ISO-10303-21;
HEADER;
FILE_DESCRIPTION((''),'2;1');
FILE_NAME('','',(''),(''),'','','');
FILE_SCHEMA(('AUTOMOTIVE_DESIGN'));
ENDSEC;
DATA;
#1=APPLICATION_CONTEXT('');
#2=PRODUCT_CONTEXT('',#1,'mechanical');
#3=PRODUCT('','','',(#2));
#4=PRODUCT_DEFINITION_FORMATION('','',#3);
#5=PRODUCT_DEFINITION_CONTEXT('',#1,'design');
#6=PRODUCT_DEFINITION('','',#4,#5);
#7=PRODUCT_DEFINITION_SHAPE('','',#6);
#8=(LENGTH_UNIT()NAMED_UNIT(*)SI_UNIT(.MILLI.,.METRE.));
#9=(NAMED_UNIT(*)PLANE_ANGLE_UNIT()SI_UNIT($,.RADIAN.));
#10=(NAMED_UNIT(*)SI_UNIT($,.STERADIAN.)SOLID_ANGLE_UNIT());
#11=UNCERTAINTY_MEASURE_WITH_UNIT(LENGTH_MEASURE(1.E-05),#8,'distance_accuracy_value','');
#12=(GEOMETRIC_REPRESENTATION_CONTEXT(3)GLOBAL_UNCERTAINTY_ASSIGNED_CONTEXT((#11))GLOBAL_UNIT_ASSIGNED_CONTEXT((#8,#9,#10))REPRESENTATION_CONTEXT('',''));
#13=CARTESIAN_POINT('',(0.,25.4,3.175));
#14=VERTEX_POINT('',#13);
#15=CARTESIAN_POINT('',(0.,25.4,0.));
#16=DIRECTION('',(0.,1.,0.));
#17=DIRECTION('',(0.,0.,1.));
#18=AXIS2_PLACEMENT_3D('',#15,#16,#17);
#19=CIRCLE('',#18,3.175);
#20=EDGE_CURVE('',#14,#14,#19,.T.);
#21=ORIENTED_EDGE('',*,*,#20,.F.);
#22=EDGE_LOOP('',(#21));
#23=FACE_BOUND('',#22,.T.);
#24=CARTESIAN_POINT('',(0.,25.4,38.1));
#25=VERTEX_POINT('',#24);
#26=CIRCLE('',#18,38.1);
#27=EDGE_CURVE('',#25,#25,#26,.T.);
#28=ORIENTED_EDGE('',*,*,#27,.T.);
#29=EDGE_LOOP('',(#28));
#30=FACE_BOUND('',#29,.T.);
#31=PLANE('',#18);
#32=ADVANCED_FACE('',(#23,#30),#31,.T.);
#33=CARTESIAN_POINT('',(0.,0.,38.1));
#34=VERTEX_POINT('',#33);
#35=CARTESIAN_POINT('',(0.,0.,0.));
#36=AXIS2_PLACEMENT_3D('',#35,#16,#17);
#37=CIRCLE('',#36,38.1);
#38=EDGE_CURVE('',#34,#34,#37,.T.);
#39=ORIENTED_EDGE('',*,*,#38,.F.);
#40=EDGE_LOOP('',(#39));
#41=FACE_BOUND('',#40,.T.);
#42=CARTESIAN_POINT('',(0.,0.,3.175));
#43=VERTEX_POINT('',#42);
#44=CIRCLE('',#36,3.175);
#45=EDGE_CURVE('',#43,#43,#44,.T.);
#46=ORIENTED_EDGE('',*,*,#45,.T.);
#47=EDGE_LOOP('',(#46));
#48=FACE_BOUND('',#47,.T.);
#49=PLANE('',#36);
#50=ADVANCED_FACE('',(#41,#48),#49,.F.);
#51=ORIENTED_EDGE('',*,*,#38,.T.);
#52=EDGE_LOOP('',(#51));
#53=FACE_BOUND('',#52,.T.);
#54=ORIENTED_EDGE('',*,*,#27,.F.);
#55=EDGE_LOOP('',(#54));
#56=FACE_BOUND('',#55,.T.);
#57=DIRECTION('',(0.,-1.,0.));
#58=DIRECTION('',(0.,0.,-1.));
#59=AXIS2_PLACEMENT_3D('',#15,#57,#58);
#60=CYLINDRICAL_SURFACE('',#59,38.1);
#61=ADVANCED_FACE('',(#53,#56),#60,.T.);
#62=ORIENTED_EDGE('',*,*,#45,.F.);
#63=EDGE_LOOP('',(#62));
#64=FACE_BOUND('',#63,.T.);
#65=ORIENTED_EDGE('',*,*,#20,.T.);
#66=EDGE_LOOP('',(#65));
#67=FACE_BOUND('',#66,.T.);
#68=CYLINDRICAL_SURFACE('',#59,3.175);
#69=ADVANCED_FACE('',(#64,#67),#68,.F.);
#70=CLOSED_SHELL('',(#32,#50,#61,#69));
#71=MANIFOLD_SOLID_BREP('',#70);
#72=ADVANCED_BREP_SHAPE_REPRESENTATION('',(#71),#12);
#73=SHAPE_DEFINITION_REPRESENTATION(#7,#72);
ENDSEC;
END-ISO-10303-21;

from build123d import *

# Parameters (mm, degrees)
SKETCH1_R           = 38.1
SKETCH1_R_2         = 3.175
BOSS_EXTRUDE1_DEPTH = 25.4


with BuildPart() as part:
    # Sketch1 → Boss-Extrude1 (new body)
    with BuildSketch(Plane(origin=(0, 0, 0), x_dir=(1, 0, 0), z_dir=(0, 1, 0))):
        with Locations(Location((0, 0, 0), (0, 0, 270))):
            Circle(SKETCH1_R)
        with Locations(Location((0, 0, 0), (0, 0, 270))):
            Circle(SKETCH1_R_2, mode=Mode.SUBTRACT)
    extrude(amount=BOSS_EXTRUDE1_DEPTH)


solid = part.part
